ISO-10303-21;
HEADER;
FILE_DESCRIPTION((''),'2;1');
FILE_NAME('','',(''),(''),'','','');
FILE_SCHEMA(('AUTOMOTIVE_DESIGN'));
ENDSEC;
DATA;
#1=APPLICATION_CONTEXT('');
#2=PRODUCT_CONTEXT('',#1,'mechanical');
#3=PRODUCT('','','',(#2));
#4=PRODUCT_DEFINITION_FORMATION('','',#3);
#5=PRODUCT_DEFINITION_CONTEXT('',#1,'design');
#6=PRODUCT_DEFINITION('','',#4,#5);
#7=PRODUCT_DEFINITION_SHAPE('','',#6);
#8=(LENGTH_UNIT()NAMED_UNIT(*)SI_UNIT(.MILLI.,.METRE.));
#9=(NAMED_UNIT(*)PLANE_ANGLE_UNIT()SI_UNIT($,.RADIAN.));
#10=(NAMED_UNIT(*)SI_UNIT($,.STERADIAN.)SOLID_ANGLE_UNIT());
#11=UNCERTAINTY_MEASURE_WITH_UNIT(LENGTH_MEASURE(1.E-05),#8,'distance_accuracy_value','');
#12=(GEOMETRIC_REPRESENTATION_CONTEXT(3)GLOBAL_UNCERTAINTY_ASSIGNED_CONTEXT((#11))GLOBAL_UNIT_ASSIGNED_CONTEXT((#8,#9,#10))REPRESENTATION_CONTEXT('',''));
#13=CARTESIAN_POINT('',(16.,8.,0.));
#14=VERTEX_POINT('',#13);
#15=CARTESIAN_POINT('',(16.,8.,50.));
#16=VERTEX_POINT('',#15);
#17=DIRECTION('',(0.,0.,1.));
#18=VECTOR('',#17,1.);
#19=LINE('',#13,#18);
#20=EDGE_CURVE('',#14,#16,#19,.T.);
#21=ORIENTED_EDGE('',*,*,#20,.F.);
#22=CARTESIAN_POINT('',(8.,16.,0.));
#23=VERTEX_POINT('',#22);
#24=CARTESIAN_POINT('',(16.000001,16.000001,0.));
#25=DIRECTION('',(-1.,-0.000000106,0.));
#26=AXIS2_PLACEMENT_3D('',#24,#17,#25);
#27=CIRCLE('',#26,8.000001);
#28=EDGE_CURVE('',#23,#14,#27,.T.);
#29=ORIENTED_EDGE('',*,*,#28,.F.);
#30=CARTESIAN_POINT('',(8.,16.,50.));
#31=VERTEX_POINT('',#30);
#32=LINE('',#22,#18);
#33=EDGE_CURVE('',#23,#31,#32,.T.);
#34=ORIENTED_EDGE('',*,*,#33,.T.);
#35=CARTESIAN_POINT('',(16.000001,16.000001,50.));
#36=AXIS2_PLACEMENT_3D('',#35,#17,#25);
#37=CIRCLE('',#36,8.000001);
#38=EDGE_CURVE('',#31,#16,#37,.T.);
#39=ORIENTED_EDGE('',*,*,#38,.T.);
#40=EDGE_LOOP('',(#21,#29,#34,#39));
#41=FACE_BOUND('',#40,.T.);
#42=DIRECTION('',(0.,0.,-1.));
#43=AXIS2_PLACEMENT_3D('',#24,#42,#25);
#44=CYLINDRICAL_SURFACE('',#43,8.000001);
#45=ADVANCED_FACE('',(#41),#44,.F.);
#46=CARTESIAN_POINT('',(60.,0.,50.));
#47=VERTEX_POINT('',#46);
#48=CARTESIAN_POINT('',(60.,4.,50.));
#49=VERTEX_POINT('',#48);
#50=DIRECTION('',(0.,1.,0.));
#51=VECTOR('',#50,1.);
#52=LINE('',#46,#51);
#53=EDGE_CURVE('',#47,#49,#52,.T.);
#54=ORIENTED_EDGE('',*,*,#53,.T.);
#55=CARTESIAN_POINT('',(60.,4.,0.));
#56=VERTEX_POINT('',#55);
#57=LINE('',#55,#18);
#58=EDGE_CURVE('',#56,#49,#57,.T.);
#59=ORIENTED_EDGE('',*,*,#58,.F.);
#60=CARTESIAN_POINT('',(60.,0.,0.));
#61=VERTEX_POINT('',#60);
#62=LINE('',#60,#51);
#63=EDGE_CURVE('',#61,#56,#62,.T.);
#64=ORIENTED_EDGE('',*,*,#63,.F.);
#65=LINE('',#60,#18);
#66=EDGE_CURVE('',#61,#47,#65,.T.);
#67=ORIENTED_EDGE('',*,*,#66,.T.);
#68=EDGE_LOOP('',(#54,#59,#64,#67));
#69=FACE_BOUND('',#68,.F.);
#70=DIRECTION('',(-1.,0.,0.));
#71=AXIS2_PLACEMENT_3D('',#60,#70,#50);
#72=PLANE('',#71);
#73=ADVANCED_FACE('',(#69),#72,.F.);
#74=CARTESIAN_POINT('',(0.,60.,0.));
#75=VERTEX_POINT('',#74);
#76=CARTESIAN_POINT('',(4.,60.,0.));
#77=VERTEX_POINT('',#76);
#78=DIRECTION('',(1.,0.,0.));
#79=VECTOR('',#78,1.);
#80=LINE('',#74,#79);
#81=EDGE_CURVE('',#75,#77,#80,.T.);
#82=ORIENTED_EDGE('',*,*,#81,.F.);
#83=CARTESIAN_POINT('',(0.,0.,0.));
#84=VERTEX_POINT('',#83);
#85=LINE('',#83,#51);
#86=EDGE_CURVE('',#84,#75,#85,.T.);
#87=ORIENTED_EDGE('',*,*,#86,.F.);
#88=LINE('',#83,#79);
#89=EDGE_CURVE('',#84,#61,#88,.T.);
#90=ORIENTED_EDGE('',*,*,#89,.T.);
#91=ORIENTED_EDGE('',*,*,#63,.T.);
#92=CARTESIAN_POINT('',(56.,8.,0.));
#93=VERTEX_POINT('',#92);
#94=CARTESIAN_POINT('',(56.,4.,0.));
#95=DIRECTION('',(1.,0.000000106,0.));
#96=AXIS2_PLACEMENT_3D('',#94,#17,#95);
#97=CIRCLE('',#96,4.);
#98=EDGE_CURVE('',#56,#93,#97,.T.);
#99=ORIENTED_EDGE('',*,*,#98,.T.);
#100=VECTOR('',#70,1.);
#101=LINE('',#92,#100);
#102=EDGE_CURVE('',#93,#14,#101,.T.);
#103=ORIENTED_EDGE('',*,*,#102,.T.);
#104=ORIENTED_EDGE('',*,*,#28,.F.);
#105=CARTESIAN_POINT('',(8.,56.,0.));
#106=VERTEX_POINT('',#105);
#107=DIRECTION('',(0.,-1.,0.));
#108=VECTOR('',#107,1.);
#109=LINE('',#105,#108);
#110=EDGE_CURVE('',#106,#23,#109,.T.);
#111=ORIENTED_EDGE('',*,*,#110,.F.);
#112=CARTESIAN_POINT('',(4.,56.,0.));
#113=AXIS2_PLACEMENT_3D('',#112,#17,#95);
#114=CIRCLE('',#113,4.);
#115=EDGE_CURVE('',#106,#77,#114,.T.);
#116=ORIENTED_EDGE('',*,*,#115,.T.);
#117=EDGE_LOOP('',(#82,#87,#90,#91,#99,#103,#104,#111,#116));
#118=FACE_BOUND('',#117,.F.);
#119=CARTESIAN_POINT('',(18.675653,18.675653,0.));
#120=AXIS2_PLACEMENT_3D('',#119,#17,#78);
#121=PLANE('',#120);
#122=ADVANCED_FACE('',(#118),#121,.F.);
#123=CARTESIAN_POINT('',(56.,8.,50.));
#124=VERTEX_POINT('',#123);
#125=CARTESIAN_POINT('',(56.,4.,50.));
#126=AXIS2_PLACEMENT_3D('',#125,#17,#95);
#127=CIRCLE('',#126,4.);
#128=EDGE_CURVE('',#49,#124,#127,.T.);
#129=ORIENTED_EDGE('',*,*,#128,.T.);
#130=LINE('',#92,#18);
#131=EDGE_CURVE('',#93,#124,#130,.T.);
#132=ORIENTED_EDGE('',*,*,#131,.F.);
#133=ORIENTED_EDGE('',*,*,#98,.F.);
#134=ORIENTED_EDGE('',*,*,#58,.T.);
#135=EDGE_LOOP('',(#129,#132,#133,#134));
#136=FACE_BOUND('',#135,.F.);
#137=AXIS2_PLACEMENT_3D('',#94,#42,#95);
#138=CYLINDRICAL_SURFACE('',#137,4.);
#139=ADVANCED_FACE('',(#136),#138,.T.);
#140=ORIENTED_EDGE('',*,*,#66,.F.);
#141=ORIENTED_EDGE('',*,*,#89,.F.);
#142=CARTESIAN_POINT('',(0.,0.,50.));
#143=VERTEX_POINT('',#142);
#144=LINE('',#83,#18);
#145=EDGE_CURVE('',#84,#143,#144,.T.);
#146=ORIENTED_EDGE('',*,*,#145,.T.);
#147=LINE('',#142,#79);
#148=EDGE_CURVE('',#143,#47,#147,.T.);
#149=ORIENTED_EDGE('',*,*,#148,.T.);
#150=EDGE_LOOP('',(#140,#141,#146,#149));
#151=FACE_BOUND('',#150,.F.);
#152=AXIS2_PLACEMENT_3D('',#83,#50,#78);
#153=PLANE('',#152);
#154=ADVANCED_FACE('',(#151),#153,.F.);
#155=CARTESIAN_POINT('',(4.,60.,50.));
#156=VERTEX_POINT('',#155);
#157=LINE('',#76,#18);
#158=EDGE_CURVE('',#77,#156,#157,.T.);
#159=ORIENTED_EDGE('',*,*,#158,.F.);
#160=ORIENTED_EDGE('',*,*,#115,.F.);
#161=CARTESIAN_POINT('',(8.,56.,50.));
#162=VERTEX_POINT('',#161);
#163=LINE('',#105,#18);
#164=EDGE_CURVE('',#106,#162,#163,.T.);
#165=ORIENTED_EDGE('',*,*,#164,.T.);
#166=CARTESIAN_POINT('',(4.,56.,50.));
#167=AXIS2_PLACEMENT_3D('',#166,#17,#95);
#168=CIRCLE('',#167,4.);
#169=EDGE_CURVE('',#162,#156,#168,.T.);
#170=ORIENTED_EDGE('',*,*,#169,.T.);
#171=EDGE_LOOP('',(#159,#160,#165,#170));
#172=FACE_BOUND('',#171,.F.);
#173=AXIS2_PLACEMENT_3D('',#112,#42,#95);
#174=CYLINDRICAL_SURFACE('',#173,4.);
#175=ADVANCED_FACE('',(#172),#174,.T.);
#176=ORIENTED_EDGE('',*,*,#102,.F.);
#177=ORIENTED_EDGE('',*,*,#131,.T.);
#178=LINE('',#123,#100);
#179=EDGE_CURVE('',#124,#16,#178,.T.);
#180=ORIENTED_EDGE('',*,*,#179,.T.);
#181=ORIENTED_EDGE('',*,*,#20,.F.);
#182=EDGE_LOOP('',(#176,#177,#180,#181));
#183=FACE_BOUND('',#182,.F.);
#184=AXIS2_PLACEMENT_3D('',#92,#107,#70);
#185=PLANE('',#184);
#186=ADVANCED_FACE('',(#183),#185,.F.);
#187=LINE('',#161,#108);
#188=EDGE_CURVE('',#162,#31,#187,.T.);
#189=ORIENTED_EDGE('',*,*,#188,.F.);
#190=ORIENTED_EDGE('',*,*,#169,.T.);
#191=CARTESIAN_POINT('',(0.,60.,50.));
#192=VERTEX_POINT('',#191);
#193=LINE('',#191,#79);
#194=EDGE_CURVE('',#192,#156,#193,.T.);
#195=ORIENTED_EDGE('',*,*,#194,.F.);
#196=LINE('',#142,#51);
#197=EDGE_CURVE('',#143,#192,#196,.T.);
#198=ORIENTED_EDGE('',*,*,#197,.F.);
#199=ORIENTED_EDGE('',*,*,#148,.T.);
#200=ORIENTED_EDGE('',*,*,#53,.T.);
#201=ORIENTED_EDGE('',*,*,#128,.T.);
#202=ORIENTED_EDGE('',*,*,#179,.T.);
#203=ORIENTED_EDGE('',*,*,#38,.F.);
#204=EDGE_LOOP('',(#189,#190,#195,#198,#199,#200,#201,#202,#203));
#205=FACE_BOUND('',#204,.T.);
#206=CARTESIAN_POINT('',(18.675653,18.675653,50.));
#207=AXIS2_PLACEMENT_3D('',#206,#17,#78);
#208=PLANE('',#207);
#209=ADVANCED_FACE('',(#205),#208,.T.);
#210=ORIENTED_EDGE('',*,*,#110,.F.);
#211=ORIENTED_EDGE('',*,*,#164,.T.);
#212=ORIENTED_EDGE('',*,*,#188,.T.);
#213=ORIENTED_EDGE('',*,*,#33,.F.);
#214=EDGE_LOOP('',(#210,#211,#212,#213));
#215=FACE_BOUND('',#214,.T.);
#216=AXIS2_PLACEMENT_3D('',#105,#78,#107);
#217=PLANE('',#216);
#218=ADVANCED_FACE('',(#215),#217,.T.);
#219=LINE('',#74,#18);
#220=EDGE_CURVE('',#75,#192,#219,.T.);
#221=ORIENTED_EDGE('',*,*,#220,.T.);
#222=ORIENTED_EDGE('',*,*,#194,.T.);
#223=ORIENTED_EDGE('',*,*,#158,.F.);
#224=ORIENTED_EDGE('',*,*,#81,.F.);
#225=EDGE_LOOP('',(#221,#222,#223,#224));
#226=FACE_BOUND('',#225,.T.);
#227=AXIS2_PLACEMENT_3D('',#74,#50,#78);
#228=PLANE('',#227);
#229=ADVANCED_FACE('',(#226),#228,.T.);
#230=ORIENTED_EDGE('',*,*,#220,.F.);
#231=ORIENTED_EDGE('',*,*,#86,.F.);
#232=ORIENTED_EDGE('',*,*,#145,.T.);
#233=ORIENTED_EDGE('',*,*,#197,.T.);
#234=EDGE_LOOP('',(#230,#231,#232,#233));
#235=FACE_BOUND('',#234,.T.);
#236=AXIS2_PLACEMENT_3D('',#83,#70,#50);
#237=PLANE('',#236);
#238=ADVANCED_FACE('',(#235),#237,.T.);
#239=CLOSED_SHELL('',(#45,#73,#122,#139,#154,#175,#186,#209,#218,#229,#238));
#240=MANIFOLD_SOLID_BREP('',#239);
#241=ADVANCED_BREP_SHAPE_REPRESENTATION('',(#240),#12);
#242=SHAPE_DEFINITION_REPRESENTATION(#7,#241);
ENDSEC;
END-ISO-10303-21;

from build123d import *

# Parameters (mm, degrees)
EXTRUDE_DEPTH = 50


with BuildPart() as part:
    # Sketch → Extrude (new body)
    with BuildSketch(Plane.XY):
        with BuildLine():
            Line((0, 0), (60, 0))
            Line((60, 0), (60, 4))
            ThreePointArc((60, 4), (58.828427, 6.828427), (56, 8))
            Line((56, 8), (16, 8))
            ThreePointArc((8, 16), (10.343146, 10.343146), (16, 8))
            Line((8, 56), (8, 16))
            ThreePointArc((8, 56), (6.828427, 58.828427), (4, 60))
            Line((0, 60), (4, 60))
            Line((0, 0), (0, 60))
        make_face()
    extrude(amount=EXTRUDE_DEPTH)


solid = part.part
